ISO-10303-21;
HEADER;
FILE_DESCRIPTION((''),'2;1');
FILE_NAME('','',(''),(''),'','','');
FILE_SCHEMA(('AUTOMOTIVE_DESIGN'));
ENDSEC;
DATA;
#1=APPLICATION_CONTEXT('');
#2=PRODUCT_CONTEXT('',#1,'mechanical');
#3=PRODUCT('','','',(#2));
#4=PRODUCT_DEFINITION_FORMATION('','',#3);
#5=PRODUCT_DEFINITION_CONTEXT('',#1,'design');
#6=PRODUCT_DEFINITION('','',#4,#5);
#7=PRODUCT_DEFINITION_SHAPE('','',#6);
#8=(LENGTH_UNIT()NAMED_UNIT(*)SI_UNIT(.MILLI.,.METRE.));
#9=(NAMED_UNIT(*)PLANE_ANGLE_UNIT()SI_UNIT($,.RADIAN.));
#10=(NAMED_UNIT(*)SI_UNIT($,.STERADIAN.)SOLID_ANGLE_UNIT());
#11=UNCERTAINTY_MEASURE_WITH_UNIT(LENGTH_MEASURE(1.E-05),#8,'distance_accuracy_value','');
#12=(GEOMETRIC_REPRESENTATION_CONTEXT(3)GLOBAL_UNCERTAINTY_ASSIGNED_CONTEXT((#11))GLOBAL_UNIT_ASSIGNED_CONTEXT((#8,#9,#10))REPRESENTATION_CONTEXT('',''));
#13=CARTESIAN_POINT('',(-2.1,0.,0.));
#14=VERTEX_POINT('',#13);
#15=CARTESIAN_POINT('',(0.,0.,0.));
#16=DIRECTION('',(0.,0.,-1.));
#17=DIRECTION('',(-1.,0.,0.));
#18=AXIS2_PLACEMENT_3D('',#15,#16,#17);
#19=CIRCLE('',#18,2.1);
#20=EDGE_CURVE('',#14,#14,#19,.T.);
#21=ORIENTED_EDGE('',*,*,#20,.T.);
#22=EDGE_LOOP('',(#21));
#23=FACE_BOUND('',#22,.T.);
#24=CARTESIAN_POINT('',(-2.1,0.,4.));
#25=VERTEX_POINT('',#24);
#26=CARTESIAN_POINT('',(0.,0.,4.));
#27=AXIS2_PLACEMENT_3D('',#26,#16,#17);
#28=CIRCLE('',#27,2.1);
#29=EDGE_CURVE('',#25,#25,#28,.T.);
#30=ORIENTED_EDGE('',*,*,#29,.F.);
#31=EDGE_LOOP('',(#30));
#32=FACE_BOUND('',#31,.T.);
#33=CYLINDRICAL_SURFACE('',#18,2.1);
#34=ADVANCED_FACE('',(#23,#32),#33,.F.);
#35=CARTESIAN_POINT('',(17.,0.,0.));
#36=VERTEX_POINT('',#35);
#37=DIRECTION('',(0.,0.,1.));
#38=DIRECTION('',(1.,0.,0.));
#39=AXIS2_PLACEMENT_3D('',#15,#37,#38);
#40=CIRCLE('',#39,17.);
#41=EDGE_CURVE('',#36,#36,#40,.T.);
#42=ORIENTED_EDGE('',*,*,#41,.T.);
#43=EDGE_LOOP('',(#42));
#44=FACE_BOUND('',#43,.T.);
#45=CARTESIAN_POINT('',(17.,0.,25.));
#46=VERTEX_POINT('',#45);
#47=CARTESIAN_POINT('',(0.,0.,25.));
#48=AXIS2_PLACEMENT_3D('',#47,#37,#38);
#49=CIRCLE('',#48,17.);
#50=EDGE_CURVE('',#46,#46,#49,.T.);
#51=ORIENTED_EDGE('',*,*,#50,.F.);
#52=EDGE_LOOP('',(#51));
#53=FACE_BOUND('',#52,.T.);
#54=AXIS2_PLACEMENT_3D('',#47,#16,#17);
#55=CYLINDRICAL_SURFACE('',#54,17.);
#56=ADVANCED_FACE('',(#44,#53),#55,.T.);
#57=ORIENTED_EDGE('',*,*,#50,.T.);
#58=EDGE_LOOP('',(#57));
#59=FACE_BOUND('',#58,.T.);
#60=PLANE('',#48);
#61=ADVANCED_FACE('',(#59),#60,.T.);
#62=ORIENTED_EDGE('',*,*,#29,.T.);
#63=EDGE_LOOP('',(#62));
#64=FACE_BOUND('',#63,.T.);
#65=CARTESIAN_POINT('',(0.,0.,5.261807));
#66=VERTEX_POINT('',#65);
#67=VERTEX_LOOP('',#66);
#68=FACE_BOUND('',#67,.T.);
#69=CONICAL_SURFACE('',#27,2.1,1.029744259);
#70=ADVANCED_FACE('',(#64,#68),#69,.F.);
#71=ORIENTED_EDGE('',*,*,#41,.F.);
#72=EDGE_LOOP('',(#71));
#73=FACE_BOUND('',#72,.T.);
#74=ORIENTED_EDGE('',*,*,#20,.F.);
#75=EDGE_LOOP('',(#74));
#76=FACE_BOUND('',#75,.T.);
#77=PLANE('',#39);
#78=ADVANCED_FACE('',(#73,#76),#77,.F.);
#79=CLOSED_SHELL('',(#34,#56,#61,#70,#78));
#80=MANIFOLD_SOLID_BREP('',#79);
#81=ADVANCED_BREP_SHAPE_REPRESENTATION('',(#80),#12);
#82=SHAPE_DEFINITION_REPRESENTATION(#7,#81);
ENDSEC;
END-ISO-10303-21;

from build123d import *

# Parameters (mm, degrees)
SKETCH_1_R             = 17
EXTRUDE_1_DEPTH        = 25
HOLE_WIZARD_M5_1_D     = 4.2
HOLE_WIZARD_M5_1_DEPTH = 4
HOLE_WIZARD_M5_1_TIP   = 1.2618073


with BuildPart() as part:
    # 草图1 → 凸台-拉伸1 (new body)
    with BuildSketch(Plane.XY):
        Circle(SKETCH_1_R)
    extrude(amount=EXTRUDE_1_DEPTH)

    # M5 螺纹孔1
    with Locations(Plane(origin=(0, 0, 0), x_dir=(-1, 0, 0), z_dir=(0, 0, -1))):
        with Locations((0, 0)):
            Hole(HOLE_WIZARD_M5_1_D / 2, depth=HOLE_WIZARD_M5_1_DEPTH)
            with Locations((0, 0, -(HOLE_WIZARD_M5_1_DEPTH + HOLE_WIZARD_M5_1_TIP / 2))):  # 118° drill point
                Cone(0, HOLE_WIZARD_M5_1_D / 2, HOLE_WIZARD_M5_1_TIP, mode=Mode.SUBTRACT)


solid = part.part
